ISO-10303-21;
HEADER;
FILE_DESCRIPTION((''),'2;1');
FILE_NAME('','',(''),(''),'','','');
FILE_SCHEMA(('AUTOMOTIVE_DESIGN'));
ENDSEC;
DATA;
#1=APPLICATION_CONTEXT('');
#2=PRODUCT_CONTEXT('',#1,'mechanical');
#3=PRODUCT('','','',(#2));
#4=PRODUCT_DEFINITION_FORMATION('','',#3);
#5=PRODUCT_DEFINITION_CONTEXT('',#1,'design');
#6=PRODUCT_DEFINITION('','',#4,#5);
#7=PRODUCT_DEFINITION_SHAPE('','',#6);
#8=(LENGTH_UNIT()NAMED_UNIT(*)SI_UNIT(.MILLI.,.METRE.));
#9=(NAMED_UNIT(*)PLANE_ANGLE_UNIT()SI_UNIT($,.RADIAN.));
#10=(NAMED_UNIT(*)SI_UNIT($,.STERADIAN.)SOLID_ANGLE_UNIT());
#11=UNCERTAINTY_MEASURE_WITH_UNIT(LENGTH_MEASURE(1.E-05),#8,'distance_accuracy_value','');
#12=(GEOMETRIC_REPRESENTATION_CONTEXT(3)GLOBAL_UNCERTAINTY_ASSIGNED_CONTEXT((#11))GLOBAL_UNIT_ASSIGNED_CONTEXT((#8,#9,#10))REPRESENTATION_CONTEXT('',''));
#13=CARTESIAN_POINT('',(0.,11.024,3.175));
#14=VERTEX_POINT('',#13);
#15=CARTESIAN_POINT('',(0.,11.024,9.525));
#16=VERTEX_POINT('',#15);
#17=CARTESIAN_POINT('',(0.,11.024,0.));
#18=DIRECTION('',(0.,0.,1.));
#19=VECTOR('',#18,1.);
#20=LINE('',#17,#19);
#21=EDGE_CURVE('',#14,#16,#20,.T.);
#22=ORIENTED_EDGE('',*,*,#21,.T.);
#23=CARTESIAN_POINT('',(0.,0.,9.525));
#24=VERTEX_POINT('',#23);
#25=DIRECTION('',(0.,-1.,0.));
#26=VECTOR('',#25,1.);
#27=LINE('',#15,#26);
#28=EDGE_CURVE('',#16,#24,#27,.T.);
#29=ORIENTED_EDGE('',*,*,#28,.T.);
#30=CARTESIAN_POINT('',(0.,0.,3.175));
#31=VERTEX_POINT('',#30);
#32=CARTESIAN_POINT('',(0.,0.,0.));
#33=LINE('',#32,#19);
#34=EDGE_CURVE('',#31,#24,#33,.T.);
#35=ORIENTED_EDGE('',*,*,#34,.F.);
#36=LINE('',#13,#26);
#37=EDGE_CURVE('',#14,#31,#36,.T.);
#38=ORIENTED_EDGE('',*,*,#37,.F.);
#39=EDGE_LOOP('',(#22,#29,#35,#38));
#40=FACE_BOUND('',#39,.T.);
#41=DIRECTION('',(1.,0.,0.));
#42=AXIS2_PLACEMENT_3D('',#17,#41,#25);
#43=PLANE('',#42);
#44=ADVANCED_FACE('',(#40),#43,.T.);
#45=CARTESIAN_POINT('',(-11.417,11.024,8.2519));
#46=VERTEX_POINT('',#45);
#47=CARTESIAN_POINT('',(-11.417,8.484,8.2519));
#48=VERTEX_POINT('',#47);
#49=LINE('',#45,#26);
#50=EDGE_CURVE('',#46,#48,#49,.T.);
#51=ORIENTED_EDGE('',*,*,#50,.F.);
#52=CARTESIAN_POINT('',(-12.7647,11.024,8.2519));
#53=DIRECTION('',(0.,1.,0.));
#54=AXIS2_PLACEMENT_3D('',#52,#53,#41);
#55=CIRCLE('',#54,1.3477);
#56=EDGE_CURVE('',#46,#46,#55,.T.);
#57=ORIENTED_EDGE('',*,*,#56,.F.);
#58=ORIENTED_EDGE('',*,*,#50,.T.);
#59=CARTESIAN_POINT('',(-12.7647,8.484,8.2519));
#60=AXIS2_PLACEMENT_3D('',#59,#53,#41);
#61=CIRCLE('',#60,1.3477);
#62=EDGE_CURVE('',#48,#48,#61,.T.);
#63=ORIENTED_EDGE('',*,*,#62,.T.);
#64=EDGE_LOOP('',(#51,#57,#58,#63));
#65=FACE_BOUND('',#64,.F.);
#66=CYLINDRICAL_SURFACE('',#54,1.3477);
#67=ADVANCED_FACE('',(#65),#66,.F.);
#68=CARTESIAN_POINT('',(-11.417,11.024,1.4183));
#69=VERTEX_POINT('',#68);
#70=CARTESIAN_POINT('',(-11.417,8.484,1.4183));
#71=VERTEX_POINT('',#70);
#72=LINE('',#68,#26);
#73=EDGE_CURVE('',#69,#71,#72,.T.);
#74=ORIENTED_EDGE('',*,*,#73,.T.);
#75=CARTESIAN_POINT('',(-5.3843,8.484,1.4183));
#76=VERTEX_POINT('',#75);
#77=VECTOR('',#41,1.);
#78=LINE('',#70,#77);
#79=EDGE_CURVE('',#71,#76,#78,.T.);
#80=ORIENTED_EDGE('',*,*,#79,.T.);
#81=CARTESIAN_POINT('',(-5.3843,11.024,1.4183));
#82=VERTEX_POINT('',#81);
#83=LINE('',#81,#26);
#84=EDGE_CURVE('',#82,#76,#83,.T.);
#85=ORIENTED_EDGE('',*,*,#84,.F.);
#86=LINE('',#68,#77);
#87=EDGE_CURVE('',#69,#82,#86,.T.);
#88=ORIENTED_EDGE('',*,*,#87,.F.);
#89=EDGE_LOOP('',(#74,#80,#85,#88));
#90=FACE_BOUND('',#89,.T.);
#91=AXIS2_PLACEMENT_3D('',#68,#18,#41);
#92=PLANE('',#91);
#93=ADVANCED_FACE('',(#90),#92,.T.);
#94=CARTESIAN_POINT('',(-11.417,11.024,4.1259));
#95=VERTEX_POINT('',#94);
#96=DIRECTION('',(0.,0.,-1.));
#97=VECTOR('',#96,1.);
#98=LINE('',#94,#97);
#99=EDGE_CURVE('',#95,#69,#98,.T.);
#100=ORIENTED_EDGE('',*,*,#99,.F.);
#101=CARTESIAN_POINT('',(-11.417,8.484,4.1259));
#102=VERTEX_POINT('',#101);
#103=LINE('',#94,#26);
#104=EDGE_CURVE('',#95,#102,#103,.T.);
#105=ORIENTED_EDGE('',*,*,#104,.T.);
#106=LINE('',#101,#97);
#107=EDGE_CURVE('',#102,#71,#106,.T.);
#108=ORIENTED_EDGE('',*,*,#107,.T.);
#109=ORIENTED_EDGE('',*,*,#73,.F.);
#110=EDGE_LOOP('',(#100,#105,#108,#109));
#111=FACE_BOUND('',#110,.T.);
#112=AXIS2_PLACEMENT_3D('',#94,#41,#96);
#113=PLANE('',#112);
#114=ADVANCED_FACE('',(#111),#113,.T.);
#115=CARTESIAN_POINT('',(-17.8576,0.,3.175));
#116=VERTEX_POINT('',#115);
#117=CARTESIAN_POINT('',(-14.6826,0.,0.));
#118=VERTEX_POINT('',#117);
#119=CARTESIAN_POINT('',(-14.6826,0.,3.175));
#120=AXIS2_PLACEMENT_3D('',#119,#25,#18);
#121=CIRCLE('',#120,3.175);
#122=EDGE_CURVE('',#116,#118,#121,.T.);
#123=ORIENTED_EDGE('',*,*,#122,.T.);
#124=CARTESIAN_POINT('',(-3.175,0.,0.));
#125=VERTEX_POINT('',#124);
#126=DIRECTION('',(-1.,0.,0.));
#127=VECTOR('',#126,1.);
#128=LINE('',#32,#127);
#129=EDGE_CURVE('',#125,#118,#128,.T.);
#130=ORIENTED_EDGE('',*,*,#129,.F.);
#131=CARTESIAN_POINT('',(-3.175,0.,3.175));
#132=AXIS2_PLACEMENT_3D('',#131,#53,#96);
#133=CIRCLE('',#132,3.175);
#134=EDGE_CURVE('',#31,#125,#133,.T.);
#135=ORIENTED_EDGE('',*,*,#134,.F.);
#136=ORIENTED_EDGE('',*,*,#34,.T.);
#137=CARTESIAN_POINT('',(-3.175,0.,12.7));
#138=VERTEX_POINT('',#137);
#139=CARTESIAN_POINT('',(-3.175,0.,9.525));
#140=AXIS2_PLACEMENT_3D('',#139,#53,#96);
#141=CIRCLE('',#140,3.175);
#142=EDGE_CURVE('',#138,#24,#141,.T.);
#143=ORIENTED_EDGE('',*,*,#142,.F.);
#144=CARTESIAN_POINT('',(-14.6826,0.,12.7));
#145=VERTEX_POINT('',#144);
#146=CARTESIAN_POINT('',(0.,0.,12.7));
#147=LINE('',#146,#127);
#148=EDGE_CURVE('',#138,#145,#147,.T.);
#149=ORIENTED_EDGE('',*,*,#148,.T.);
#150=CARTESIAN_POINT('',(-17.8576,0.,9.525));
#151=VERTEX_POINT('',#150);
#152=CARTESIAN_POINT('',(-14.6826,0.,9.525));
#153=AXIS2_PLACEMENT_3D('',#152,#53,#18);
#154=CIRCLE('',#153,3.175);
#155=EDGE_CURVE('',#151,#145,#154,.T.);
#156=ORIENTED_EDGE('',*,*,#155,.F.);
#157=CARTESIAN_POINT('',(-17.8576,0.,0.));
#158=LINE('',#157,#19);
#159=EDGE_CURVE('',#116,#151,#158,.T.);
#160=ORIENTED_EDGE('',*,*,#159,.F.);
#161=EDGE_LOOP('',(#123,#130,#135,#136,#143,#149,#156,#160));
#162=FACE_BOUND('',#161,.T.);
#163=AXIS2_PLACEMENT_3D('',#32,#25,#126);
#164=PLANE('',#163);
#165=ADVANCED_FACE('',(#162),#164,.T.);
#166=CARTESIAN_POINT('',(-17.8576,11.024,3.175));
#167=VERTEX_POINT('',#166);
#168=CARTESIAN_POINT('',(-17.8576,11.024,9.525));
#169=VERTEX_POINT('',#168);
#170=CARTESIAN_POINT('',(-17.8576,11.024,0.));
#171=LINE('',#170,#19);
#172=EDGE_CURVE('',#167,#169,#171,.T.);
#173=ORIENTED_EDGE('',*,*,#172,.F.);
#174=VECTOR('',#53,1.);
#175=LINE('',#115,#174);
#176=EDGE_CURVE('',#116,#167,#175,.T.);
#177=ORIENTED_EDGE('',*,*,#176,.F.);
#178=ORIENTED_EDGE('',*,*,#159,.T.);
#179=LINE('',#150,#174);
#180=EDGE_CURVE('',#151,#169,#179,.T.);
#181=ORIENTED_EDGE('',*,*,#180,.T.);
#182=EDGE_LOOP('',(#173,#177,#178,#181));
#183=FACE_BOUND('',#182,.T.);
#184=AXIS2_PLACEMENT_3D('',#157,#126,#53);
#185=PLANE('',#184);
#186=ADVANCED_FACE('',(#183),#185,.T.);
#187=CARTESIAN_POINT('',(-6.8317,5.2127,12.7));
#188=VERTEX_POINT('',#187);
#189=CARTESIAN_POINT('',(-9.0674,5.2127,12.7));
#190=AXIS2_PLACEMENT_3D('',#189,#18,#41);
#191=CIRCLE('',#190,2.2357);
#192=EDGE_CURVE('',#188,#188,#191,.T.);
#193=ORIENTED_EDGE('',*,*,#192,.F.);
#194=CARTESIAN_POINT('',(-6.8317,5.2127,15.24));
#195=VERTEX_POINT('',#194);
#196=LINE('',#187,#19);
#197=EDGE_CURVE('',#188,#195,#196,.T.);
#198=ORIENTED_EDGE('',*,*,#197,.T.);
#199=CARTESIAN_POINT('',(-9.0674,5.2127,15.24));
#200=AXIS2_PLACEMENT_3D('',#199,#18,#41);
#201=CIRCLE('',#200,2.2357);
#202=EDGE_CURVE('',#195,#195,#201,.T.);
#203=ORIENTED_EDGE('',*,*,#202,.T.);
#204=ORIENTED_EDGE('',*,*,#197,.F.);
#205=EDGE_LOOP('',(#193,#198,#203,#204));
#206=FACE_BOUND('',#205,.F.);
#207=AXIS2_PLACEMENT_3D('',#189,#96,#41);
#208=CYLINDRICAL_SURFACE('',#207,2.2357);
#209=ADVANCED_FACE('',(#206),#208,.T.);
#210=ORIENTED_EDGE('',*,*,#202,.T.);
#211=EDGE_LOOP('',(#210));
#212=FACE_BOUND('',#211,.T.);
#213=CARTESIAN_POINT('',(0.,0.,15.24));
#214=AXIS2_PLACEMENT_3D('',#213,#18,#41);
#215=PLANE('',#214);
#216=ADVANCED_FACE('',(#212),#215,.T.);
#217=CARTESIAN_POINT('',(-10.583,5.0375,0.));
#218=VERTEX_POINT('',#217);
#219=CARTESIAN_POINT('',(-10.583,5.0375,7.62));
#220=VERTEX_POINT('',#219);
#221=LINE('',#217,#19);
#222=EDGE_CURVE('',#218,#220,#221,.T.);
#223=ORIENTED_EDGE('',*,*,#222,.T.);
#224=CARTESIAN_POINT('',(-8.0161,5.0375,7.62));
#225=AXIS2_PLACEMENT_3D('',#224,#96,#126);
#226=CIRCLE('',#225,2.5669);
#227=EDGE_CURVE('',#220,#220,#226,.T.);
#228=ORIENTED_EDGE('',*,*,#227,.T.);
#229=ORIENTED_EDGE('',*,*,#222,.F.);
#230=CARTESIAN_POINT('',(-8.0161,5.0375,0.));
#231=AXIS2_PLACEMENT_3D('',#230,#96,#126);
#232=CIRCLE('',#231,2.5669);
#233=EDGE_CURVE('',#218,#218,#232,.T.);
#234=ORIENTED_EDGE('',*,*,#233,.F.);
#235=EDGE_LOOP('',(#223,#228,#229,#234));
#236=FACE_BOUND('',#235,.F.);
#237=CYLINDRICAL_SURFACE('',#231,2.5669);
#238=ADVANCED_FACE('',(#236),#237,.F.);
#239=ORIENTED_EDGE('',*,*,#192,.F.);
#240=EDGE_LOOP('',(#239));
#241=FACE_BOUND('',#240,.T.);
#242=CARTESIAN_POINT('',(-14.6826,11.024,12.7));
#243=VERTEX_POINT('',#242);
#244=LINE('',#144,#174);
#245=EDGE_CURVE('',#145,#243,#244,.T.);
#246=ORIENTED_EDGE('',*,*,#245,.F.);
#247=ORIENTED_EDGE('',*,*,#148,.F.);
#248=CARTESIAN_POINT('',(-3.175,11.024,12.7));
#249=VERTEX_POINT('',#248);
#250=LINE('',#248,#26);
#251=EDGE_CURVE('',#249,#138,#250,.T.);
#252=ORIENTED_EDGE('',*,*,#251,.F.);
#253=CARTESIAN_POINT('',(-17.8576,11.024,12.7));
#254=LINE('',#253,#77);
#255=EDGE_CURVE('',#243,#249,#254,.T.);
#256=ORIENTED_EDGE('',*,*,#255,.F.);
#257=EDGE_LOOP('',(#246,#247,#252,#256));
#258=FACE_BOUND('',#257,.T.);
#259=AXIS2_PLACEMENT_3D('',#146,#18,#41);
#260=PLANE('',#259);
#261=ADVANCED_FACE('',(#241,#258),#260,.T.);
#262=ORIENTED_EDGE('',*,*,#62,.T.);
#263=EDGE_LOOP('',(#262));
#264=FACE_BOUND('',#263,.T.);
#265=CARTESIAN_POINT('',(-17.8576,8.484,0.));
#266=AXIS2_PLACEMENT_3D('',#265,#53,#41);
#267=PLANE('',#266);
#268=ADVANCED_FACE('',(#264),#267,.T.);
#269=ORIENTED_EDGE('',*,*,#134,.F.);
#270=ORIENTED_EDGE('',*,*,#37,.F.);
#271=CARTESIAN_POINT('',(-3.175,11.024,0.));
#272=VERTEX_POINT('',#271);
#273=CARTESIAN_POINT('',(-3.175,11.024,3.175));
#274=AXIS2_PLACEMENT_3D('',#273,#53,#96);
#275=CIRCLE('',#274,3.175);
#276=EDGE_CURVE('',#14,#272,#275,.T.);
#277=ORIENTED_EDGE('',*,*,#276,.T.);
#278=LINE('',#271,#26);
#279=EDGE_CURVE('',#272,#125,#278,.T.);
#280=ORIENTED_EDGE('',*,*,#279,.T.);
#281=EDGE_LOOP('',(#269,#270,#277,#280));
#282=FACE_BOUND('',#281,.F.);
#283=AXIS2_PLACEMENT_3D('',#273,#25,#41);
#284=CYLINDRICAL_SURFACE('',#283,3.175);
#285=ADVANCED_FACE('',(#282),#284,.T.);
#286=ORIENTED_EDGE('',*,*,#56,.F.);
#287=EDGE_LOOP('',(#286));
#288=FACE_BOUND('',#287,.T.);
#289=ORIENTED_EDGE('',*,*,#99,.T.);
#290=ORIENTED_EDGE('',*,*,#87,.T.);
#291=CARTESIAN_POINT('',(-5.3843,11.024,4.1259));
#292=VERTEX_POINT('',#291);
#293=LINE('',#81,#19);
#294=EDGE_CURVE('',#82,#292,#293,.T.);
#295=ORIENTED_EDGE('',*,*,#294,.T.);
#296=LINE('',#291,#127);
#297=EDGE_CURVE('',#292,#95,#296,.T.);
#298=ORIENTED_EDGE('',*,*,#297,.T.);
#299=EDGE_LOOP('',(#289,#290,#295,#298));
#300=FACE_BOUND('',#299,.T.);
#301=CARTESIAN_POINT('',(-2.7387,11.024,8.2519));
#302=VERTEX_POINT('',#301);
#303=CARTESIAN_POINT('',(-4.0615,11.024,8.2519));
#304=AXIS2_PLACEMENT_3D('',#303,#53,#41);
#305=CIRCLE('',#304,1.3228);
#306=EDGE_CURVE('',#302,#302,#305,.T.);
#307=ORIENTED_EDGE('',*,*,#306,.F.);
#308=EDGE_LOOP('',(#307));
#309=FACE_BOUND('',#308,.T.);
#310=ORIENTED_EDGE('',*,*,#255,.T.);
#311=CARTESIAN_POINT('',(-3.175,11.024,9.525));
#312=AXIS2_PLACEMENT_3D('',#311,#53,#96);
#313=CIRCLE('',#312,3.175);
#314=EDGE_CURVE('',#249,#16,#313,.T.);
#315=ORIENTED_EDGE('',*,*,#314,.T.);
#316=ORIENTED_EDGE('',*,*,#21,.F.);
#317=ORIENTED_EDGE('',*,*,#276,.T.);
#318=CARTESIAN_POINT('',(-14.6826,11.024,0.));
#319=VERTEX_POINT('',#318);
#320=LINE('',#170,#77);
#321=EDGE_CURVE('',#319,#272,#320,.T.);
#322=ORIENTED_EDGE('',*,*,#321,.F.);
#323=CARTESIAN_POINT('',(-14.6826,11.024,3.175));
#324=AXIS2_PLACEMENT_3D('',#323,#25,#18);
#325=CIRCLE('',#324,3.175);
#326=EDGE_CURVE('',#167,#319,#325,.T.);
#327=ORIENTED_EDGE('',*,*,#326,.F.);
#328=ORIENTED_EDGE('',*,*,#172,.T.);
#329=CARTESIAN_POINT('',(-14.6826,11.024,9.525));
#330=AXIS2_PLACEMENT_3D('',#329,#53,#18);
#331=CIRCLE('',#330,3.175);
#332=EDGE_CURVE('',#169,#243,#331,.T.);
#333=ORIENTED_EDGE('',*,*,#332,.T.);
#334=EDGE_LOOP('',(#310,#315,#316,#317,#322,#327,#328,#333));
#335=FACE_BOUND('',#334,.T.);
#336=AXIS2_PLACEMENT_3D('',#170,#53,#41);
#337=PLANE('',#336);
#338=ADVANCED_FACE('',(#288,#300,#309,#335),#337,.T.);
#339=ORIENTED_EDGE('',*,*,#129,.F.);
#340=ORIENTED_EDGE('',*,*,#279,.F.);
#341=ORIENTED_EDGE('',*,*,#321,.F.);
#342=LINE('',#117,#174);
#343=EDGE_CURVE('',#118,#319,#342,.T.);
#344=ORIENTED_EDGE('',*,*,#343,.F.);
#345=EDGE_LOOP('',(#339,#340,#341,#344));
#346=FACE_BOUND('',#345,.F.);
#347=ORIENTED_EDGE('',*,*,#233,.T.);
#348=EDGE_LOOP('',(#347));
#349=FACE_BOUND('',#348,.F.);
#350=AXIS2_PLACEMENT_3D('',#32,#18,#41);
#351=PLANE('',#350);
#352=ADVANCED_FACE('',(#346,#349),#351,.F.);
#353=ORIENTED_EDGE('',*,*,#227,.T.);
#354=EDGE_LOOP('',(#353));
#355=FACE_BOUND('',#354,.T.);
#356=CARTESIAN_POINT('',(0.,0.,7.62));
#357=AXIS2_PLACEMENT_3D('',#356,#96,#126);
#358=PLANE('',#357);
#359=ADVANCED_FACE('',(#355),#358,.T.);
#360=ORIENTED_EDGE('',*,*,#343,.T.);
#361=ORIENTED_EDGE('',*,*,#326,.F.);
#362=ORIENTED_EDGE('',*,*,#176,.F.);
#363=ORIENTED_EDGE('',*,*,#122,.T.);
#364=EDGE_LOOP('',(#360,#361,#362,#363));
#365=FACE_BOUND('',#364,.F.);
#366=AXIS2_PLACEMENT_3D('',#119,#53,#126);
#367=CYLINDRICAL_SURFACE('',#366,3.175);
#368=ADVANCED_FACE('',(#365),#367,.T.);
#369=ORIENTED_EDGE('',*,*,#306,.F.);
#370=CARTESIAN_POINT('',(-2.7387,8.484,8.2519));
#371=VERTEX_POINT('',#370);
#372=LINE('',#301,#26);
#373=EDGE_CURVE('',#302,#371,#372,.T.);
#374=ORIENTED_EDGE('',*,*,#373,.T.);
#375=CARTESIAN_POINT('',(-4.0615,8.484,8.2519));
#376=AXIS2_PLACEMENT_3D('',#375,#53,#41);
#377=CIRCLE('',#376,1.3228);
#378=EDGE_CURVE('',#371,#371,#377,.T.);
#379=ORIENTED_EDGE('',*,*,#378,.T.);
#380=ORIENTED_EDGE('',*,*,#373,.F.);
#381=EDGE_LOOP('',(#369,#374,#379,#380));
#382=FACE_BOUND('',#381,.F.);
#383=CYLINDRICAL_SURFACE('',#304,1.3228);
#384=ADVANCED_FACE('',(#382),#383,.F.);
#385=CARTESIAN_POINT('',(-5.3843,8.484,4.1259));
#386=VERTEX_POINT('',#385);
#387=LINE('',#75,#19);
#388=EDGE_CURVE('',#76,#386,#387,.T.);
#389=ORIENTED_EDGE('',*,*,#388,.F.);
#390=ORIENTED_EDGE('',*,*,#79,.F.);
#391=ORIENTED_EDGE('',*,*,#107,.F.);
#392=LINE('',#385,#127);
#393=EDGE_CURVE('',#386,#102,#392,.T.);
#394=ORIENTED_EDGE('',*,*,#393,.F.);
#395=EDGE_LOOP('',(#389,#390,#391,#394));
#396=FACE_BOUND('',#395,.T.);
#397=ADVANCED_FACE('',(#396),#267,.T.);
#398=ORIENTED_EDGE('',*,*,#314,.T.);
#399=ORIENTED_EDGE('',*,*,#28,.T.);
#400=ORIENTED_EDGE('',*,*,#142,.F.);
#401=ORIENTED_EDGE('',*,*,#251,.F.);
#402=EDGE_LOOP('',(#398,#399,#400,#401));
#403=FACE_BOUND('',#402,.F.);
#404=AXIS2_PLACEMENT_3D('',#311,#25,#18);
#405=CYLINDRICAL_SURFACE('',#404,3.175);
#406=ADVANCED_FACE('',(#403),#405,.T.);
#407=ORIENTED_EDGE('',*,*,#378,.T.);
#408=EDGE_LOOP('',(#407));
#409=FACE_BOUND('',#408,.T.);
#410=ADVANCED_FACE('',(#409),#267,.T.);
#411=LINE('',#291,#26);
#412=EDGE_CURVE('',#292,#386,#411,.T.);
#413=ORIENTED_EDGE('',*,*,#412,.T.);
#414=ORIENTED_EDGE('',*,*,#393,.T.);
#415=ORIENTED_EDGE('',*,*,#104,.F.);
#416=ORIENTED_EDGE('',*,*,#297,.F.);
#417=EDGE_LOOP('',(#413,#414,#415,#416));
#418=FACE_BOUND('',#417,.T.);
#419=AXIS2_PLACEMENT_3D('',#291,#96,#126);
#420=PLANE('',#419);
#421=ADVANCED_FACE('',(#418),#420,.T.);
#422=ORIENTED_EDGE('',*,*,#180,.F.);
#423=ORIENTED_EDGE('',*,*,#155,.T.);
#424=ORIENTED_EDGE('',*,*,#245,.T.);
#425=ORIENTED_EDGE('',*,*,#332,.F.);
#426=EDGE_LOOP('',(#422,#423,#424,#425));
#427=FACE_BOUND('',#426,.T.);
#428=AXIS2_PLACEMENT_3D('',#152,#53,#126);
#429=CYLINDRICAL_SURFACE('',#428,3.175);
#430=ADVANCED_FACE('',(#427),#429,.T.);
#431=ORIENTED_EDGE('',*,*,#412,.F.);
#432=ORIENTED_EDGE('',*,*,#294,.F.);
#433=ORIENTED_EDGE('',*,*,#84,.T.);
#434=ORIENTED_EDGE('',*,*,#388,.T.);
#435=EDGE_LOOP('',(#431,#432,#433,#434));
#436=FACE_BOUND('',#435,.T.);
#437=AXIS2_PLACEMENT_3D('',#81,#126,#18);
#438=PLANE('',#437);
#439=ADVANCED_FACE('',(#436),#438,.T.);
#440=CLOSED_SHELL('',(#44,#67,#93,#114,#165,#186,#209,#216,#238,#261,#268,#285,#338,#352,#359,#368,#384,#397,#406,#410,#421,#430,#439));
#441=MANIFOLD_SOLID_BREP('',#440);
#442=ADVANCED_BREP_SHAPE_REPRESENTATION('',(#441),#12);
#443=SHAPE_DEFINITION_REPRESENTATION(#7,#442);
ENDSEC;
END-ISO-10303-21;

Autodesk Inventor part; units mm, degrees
ref_plane "YZ Plane" through (0, 0, 0) normal (1, 0, 0) x (0, 1, 0)
ref_plane "XZ Plane" through (0, 0, 0) normal (0, 1, 0) x (-1, 0, 0)
ref_plane "XY Plane" through (0, 0, 0) normal (0, 0, 1) x (1, 0, 0)
sketch "Sketch1" plane through (0, 0, 0) normal (0, 0, 1) x (1, 0, 0)
  line L0 (0, 0) -> (-17.8576, 0)
  line L1 (-17.8576, 0) -> (-17.8576, 11.024)
  line L2 (-17.8576, 11.024) -> (0, 11.024)
  line L3 (0, 11.024) -> (0, 0)
extrude "Extrusion1" add sketch "Sketch1" along normal blind 12.7
sketch "Sketch2" plane through (-17.8576, 11.024, 0) normal (0, 1, 0) x (1, 0, 0)
  circle A0 centre (13.7961, -8.2519) radius 1.3228
  circle A1 centre (5.0929, -8.2519) radius 1.3477
  line L0 (12.4733, -4.1259) -> (6.4406, -4.1259)
  line L1 (6.4406, -4.1259) -> (6.4406, -1.4183)
  line L2 (6.4406, -1.4183) -> (12.4733, -1.4183)
  line L3 (12.4733, -1.4183) -> (12.4733, -4.1259)
  point P0 (17.8576, 0)
extrude "Extrusion2" cut sketch "Sketch2" against normal blind 2.54
fillet "Fillet1" radius 3.175 1 edges at (-17.8576, 5.512, 12.7)
fillet "Fillet2" radius 3.175 1 edges at (-17.8576, 5.512, 0)
fillet "Fillet3" radius 3.175 1 edges at (0, 5.512, 12.7)
fillet "Fillet4" radius 3.175 1 edges at (0, 5.512, 0)
sketch "Sketch3" plane through (0, 0, 0) normal (0, 0, -1) x (-1, 0, 0)
  circle A0 centre (8.0161, 5.0375) radius 2.5669
  point P0 (0, 0)
extrude "Extrusion3" cut sketch "Sketch3" against normal blind 7.62
sketch "Sketch4" plane through (0, 0, 12.7) normal (0, 0, 1) x (1, 0, 0)
  circle A0 centre (-9.0674, 5.2127) radius 2.2357
  point P0 (0, 0)
extrude "Extrusion4" add sketch "Sketch4" along normal blind 2.54
properties part number "finalface4"
